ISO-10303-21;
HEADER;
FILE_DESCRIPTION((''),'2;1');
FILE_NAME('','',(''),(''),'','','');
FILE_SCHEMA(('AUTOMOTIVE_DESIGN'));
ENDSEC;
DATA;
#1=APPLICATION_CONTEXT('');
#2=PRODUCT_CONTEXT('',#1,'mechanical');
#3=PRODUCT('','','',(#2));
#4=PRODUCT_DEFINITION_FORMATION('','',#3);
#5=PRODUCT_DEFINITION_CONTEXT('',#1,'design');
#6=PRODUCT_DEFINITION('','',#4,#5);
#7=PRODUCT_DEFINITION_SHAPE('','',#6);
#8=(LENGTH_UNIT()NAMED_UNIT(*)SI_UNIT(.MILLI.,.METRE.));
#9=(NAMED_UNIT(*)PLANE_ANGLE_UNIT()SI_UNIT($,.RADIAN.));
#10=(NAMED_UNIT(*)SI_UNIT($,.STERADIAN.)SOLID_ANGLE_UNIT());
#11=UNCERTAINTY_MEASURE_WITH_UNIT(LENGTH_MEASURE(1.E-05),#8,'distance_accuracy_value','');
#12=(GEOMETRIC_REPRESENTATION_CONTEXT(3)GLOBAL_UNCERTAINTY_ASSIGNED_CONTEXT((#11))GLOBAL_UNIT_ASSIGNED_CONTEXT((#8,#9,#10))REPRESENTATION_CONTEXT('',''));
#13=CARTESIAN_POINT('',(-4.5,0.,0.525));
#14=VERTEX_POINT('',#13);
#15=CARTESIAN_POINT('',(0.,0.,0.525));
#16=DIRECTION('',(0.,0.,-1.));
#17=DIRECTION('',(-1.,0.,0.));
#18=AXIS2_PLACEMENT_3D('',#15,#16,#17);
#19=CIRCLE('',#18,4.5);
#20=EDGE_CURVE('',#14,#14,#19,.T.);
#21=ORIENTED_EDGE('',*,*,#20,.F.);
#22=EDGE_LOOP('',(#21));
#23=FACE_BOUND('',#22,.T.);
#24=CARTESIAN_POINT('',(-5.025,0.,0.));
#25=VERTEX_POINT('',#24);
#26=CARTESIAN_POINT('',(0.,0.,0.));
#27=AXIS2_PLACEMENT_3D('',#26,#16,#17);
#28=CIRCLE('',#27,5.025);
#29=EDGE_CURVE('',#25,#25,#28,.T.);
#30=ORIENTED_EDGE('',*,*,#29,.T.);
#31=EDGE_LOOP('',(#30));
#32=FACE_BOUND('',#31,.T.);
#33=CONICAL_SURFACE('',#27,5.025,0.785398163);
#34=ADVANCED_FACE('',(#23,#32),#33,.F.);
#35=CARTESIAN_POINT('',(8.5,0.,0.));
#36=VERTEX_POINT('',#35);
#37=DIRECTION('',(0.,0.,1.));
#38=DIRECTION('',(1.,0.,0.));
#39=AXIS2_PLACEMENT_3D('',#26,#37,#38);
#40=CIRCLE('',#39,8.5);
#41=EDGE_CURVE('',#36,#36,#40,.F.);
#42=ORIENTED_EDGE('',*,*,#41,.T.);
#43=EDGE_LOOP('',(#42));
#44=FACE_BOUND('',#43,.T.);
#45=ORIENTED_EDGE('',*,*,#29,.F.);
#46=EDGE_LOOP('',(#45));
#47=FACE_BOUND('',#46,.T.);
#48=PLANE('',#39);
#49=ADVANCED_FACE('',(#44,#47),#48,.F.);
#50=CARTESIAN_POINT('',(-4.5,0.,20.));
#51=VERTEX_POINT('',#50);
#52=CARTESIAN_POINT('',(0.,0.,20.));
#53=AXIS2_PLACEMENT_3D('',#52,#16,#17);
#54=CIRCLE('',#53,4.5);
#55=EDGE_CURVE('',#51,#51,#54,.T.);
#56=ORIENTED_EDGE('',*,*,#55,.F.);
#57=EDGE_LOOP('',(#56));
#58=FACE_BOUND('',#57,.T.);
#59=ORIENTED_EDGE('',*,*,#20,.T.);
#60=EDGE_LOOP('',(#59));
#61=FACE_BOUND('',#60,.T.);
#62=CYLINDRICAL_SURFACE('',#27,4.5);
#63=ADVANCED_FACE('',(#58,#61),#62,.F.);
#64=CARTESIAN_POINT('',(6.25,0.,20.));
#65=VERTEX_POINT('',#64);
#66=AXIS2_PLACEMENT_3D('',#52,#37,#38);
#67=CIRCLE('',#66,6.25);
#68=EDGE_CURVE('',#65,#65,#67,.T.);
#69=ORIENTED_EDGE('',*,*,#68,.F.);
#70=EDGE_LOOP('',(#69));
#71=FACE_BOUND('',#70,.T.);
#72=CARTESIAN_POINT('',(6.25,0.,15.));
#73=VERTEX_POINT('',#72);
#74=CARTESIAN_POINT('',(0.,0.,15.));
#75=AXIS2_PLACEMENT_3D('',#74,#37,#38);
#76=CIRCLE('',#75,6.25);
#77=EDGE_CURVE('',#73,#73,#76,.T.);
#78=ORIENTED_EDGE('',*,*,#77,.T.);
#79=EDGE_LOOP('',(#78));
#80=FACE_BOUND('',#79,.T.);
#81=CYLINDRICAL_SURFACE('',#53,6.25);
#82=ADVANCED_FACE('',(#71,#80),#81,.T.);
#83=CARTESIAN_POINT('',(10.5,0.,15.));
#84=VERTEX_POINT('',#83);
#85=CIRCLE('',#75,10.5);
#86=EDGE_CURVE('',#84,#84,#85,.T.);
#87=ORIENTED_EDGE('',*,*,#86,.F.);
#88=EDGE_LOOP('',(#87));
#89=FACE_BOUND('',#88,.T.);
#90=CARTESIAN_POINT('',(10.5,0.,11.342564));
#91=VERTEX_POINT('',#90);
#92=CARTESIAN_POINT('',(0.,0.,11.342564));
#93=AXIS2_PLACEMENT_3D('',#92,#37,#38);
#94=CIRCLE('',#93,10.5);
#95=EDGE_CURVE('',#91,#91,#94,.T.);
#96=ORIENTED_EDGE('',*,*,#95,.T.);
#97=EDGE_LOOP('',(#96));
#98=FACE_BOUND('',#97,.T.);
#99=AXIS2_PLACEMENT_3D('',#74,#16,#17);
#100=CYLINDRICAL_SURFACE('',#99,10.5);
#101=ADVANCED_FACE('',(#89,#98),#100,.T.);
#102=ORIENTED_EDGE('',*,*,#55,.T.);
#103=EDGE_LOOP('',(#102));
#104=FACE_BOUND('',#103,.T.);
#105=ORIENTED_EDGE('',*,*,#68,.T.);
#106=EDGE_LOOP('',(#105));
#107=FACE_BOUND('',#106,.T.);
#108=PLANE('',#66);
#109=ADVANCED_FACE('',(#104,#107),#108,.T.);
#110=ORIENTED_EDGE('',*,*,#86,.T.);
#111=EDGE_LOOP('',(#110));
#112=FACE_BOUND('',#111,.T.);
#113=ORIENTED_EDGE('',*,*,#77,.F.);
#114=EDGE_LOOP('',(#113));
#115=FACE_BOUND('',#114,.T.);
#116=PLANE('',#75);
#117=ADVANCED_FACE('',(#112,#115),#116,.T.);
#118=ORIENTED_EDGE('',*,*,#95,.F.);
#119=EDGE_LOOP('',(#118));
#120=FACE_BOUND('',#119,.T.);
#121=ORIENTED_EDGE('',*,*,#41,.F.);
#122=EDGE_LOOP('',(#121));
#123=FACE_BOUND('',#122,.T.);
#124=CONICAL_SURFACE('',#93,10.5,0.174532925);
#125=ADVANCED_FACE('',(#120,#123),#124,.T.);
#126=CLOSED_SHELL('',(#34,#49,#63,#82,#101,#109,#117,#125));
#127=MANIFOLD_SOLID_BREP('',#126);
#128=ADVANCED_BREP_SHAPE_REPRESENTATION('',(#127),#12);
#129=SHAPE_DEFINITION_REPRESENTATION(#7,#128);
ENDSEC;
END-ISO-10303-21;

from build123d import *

# Parameters (mm, degrees)
SKETCH1_R                        = 10.5
BOSS_EXTRUDE1_DEPTH              = 15
SKETCH2_R                        = 6.25
BOSS_EXTRUDE2_DEPTH              = 5
M10X1_0_TAPPED_HOLE1_D           = 9
M10X1_0_TAPPED_HOLE1_CSINK_D     = 10.05
M10X1_0_TAPPED_HOLE1_CSINK_ANGLE = 90
CHAMFER1_SIZE                    = 2
CHAMFER1_SIZE2                   = 11.342563639


with BuildPart() as part:
    # Sketch1 → Boss-Extrude1 (new body)
    with BuildSketch(Plane.XY):
        Circle(SKETCH1_R)
    extrude(amount=BOSS_EXTRUDE1_DEPTH)

    # Sketch2 → Boss-Extrude2 (add)
    with BuildSketch(Plane.XY.offset(15)):
        Circle(SKETCH2_R)
    extrude(amount=BOSS_EXTRUDE2_DEPTH)

    # M10x1.0 Tapped Hole1 (through all)
    with Locations(Plane(origin=(0, 0, 0), x_dir=(-1, 0, 0), z_dir=(0, 0, -1))):
        with Locations((0, 0)):
            CounterSinkHole(M10X1_0_TAPPED_HOLE1_D / 2, M10X1_0_TAPPED_HOLE1_CSINK_D / 2, counter_sink_angle=M10X1_0_TAPPED_HOLE1_CSINK_ANGLE)

    # Chamfer1
    chamfer1_edges = [part.edges().sort_by_distance(p)[0] for p in [
        (-10.5, 0, 0),
    ]]
    chamfer1_side = [part.faces().sort_by_distance(p)[0] for p in [
        (-10.203015152, 0, 0),
    ]]
    chamfer(chamfer1_edges, length=CHAMFER1_SIZE, length2=CHAMFER1_SIZE2, reference=chamfer1_side[0])


solid = part.part
